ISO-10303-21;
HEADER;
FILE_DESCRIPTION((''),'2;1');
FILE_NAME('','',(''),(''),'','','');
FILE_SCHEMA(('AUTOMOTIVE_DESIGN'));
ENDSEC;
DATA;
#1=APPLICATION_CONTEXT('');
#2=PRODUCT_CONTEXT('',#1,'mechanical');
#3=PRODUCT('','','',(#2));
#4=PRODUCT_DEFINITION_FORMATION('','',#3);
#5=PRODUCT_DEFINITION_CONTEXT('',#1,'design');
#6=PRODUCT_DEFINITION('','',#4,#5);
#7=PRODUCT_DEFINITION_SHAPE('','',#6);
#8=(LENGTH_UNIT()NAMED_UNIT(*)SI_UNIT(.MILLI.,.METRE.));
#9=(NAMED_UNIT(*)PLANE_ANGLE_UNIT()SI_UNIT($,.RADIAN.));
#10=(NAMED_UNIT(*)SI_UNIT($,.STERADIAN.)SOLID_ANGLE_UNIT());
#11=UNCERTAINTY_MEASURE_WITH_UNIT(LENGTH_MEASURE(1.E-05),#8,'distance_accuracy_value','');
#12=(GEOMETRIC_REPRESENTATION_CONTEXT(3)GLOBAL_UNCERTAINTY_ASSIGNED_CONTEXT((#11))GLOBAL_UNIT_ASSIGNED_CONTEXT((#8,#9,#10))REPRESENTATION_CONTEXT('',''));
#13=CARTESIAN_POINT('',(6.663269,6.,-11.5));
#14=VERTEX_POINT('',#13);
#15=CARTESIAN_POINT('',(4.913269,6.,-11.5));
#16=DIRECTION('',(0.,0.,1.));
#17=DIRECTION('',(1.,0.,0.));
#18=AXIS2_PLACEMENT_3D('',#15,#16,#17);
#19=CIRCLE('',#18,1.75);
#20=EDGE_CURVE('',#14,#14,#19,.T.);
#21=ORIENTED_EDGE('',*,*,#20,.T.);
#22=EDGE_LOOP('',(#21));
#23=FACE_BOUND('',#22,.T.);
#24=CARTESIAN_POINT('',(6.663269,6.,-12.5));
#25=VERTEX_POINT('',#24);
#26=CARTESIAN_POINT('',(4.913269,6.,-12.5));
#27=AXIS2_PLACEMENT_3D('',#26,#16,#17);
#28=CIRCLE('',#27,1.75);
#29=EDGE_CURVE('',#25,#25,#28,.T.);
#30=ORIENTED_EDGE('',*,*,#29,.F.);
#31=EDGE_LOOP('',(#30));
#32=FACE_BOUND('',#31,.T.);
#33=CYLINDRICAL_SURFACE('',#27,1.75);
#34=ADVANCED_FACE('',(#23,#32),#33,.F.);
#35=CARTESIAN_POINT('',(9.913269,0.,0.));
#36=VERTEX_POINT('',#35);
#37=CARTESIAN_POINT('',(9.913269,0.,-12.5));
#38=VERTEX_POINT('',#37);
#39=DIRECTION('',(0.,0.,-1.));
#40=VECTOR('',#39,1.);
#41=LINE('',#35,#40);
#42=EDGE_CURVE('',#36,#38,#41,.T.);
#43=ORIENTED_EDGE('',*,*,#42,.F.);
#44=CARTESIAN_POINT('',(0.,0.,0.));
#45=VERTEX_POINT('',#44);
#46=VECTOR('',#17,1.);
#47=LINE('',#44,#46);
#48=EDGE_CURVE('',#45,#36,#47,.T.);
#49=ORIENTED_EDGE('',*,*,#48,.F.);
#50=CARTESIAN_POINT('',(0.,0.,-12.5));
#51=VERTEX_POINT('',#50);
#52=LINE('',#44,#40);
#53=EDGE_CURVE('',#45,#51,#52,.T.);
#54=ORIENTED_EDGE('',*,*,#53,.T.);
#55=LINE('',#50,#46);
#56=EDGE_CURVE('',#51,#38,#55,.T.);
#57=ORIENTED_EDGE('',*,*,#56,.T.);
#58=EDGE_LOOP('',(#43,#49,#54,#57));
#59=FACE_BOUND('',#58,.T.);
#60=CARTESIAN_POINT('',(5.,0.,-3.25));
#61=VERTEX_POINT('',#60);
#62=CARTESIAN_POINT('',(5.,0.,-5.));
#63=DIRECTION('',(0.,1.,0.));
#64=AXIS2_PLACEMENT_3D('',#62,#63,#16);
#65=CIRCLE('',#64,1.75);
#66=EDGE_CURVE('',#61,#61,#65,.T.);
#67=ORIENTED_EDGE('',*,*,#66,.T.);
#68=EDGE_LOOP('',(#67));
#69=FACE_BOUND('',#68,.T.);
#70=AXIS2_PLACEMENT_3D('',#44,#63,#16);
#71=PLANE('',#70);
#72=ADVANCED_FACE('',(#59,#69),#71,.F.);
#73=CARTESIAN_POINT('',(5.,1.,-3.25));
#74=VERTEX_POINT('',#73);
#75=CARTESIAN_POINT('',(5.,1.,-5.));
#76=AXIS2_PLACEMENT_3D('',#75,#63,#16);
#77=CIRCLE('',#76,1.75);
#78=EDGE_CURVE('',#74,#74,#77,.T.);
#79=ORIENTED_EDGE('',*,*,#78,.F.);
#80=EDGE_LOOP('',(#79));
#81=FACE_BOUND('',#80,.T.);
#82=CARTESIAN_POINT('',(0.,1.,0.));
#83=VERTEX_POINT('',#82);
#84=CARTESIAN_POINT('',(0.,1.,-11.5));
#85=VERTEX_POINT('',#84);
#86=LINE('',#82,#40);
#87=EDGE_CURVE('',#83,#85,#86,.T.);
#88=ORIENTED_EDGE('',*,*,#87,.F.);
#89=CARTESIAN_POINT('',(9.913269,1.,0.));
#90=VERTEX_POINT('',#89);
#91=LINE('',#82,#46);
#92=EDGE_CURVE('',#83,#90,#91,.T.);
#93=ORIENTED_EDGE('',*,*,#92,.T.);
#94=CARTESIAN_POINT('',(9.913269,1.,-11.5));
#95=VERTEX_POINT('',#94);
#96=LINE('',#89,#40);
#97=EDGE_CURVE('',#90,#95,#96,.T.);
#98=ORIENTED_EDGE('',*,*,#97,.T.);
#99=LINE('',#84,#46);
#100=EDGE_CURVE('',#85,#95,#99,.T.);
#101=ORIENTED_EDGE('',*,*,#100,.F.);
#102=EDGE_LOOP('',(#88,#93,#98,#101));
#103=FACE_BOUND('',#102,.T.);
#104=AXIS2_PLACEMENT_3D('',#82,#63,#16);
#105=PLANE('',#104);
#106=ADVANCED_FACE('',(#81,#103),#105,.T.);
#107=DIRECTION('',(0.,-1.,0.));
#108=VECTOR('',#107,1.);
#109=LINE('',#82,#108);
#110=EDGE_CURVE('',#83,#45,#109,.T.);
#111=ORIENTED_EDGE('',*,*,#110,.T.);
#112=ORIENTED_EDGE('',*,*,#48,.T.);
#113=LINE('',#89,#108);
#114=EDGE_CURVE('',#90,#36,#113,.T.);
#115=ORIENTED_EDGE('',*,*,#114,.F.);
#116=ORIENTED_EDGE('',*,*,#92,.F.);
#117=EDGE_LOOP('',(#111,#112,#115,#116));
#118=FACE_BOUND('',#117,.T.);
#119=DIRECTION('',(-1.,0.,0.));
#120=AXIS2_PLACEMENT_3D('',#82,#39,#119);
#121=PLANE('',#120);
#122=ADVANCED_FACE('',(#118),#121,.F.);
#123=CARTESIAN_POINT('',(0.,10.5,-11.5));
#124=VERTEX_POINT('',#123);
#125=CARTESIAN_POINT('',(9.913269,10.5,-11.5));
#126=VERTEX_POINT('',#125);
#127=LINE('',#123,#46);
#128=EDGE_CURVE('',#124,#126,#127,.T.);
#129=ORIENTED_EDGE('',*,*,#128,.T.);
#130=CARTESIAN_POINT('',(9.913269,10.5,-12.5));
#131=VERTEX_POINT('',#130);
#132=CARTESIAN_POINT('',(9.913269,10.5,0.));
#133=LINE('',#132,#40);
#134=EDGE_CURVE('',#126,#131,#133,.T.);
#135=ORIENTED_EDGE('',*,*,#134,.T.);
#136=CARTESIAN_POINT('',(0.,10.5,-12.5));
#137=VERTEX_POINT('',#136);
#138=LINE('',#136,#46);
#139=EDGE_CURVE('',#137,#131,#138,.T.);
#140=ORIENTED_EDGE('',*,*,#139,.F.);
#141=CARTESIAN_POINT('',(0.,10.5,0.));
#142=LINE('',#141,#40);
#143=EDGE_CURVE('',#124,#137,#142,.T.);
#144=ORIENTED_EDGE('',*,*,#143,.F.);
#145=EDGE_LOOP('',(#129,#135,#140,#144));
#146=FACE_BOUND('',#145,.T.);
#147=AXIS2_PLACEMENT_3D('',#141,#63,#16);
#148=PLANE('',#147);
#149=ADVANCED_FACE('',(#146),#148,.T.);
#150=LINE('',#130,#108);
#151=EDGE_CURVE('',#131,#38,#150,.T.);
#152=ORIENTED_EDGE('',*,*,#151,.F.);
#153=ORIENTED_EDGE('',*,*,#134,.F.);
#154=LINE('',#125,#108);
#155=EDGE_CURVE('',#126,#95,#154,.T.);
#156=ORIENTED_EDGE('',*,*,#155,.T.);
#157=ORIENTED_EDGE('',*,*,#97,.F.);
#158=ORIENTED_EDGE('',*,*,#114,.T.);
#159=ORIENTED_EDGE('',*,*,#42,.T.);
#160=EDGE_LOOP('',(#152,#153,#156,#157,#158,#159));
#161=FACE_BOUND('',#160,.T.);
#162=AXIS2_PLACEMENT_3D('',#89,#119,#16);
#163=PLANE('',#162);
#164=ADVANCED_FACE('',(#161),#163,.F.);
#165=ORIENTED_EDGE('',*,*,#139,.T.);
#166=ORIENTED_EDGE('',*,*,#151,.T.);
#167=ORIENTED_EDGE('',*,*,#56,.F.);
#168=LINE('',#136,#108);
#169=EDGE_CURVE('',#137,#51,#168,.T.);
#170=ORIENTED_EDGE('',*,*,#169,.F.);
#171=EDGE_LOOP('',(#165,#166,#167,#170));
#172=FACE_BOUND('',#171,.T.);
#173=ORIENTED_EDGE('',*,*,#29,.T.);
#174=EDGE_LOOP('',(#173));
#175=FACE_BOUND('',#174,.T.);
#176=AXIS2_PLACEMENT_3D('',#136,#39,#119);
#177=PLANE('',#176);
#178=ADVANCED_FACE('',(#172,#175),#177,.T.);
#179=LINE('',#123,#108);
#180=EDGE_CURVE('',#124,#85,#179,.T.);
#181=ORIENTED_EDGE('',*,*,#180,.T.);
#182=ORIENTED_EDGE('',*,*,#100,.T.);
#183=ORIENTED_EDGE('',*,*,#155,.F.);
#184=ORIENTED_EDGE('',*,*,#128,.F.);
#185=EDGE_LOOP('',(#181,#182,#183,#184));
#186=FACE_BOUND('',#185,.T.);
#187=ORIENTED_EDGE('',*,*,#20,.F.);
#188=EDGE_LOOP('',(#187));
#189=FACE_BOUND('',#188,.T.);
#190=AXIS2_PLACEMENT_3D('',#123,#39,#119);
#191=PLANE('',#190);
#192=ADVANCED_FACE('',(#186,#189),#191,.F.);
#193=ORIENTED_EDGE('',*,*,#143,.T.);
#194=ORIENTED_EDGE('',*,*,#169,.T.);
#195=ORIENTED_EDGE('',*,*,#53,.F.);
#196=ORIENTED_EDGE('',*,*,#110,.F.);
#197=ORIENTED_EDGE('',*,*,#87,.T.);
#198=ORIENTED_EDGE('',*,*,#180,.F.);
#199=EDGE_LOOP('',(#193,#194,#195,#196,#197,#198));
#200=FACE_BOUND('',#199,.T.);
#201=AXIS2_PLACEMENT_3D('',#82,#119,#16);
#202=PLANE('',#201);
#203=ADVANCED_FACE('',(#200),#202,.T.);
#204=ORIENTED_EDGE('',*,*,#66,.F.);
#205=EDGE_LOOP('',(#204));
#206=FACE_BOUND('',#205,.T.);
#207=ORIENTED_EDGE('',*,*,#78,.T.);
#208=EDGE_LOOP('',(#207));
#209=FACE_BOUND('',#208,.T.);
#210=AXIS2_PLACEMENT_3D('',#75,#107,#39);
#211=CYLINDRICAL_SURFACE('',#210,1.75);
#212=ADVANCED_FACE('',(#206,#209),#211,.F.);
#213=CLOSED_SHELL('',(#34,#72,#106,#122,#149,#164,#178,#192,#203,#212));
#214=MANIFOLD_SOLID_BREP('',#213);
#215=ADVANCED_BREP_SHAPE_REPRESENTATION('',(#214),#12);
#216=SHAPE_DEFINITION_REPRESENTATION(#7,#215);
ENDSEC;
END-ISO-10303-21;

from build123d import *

# Parameters (mm, degrees)
SKETCH1_W           = 9.91326949
SKETCH1_H           = 11.5
SKETCH1_R           = 1.75
BOSS_EXTRUDE3_DEPTH = 1
SKETCH1_5_W         = 9.91326949
SKETCH1_5_H         = 1
BOSS_EXTRUDE4_DEPTH = 10.5
SKETCH2_R           = 1.75
CUT_EXTRUDE1_DEPTH  = 1


with BuildPart() as part:
    # Sketch1 → Boss-Extrude3 (new body)
    with BuildSketch(Plane(origin=(0, 0, 0), x_dir=(1, 0, 0), z_dir=(0, 1, 0))):
        with Locations((4.956634745, 5.75)):
            Rectangle(SKETCH1_W, SKETCH1_H)
        with Locations((5, 5)):
            Circle(SKETCH1_R, mode=Mode.SUBTRACT)
    extrude(amount=BOSS_EXTRUDE3_DEPTH)

    # Sketch1<5> → Boss-Extrude4 (add)
    with BuildSketch(Plane(origin=(0, 0, 0), x_dir=(1, 0, 0), z_dir=(0, 1, 0))):
        with Locations((4.956634745, 12)):
            Rectangle(SKETCH1_5_W, SKETCH1_5_H)
    extrude(amount=BOSS_EXTRUDE4_DEPTH)

    # Sketch2 → Cut-Extrude1 (cut)
    with BuildSketch(Plane.XY.offset(-11.5)):
        with Locations((4.91326949, 6)):
            Circle(SKETCH2_R)
    extrude(amount=-CUT_EXTRUDE1_DEPTH, mode=Mode.SUBTRACT)


solid = part.part
